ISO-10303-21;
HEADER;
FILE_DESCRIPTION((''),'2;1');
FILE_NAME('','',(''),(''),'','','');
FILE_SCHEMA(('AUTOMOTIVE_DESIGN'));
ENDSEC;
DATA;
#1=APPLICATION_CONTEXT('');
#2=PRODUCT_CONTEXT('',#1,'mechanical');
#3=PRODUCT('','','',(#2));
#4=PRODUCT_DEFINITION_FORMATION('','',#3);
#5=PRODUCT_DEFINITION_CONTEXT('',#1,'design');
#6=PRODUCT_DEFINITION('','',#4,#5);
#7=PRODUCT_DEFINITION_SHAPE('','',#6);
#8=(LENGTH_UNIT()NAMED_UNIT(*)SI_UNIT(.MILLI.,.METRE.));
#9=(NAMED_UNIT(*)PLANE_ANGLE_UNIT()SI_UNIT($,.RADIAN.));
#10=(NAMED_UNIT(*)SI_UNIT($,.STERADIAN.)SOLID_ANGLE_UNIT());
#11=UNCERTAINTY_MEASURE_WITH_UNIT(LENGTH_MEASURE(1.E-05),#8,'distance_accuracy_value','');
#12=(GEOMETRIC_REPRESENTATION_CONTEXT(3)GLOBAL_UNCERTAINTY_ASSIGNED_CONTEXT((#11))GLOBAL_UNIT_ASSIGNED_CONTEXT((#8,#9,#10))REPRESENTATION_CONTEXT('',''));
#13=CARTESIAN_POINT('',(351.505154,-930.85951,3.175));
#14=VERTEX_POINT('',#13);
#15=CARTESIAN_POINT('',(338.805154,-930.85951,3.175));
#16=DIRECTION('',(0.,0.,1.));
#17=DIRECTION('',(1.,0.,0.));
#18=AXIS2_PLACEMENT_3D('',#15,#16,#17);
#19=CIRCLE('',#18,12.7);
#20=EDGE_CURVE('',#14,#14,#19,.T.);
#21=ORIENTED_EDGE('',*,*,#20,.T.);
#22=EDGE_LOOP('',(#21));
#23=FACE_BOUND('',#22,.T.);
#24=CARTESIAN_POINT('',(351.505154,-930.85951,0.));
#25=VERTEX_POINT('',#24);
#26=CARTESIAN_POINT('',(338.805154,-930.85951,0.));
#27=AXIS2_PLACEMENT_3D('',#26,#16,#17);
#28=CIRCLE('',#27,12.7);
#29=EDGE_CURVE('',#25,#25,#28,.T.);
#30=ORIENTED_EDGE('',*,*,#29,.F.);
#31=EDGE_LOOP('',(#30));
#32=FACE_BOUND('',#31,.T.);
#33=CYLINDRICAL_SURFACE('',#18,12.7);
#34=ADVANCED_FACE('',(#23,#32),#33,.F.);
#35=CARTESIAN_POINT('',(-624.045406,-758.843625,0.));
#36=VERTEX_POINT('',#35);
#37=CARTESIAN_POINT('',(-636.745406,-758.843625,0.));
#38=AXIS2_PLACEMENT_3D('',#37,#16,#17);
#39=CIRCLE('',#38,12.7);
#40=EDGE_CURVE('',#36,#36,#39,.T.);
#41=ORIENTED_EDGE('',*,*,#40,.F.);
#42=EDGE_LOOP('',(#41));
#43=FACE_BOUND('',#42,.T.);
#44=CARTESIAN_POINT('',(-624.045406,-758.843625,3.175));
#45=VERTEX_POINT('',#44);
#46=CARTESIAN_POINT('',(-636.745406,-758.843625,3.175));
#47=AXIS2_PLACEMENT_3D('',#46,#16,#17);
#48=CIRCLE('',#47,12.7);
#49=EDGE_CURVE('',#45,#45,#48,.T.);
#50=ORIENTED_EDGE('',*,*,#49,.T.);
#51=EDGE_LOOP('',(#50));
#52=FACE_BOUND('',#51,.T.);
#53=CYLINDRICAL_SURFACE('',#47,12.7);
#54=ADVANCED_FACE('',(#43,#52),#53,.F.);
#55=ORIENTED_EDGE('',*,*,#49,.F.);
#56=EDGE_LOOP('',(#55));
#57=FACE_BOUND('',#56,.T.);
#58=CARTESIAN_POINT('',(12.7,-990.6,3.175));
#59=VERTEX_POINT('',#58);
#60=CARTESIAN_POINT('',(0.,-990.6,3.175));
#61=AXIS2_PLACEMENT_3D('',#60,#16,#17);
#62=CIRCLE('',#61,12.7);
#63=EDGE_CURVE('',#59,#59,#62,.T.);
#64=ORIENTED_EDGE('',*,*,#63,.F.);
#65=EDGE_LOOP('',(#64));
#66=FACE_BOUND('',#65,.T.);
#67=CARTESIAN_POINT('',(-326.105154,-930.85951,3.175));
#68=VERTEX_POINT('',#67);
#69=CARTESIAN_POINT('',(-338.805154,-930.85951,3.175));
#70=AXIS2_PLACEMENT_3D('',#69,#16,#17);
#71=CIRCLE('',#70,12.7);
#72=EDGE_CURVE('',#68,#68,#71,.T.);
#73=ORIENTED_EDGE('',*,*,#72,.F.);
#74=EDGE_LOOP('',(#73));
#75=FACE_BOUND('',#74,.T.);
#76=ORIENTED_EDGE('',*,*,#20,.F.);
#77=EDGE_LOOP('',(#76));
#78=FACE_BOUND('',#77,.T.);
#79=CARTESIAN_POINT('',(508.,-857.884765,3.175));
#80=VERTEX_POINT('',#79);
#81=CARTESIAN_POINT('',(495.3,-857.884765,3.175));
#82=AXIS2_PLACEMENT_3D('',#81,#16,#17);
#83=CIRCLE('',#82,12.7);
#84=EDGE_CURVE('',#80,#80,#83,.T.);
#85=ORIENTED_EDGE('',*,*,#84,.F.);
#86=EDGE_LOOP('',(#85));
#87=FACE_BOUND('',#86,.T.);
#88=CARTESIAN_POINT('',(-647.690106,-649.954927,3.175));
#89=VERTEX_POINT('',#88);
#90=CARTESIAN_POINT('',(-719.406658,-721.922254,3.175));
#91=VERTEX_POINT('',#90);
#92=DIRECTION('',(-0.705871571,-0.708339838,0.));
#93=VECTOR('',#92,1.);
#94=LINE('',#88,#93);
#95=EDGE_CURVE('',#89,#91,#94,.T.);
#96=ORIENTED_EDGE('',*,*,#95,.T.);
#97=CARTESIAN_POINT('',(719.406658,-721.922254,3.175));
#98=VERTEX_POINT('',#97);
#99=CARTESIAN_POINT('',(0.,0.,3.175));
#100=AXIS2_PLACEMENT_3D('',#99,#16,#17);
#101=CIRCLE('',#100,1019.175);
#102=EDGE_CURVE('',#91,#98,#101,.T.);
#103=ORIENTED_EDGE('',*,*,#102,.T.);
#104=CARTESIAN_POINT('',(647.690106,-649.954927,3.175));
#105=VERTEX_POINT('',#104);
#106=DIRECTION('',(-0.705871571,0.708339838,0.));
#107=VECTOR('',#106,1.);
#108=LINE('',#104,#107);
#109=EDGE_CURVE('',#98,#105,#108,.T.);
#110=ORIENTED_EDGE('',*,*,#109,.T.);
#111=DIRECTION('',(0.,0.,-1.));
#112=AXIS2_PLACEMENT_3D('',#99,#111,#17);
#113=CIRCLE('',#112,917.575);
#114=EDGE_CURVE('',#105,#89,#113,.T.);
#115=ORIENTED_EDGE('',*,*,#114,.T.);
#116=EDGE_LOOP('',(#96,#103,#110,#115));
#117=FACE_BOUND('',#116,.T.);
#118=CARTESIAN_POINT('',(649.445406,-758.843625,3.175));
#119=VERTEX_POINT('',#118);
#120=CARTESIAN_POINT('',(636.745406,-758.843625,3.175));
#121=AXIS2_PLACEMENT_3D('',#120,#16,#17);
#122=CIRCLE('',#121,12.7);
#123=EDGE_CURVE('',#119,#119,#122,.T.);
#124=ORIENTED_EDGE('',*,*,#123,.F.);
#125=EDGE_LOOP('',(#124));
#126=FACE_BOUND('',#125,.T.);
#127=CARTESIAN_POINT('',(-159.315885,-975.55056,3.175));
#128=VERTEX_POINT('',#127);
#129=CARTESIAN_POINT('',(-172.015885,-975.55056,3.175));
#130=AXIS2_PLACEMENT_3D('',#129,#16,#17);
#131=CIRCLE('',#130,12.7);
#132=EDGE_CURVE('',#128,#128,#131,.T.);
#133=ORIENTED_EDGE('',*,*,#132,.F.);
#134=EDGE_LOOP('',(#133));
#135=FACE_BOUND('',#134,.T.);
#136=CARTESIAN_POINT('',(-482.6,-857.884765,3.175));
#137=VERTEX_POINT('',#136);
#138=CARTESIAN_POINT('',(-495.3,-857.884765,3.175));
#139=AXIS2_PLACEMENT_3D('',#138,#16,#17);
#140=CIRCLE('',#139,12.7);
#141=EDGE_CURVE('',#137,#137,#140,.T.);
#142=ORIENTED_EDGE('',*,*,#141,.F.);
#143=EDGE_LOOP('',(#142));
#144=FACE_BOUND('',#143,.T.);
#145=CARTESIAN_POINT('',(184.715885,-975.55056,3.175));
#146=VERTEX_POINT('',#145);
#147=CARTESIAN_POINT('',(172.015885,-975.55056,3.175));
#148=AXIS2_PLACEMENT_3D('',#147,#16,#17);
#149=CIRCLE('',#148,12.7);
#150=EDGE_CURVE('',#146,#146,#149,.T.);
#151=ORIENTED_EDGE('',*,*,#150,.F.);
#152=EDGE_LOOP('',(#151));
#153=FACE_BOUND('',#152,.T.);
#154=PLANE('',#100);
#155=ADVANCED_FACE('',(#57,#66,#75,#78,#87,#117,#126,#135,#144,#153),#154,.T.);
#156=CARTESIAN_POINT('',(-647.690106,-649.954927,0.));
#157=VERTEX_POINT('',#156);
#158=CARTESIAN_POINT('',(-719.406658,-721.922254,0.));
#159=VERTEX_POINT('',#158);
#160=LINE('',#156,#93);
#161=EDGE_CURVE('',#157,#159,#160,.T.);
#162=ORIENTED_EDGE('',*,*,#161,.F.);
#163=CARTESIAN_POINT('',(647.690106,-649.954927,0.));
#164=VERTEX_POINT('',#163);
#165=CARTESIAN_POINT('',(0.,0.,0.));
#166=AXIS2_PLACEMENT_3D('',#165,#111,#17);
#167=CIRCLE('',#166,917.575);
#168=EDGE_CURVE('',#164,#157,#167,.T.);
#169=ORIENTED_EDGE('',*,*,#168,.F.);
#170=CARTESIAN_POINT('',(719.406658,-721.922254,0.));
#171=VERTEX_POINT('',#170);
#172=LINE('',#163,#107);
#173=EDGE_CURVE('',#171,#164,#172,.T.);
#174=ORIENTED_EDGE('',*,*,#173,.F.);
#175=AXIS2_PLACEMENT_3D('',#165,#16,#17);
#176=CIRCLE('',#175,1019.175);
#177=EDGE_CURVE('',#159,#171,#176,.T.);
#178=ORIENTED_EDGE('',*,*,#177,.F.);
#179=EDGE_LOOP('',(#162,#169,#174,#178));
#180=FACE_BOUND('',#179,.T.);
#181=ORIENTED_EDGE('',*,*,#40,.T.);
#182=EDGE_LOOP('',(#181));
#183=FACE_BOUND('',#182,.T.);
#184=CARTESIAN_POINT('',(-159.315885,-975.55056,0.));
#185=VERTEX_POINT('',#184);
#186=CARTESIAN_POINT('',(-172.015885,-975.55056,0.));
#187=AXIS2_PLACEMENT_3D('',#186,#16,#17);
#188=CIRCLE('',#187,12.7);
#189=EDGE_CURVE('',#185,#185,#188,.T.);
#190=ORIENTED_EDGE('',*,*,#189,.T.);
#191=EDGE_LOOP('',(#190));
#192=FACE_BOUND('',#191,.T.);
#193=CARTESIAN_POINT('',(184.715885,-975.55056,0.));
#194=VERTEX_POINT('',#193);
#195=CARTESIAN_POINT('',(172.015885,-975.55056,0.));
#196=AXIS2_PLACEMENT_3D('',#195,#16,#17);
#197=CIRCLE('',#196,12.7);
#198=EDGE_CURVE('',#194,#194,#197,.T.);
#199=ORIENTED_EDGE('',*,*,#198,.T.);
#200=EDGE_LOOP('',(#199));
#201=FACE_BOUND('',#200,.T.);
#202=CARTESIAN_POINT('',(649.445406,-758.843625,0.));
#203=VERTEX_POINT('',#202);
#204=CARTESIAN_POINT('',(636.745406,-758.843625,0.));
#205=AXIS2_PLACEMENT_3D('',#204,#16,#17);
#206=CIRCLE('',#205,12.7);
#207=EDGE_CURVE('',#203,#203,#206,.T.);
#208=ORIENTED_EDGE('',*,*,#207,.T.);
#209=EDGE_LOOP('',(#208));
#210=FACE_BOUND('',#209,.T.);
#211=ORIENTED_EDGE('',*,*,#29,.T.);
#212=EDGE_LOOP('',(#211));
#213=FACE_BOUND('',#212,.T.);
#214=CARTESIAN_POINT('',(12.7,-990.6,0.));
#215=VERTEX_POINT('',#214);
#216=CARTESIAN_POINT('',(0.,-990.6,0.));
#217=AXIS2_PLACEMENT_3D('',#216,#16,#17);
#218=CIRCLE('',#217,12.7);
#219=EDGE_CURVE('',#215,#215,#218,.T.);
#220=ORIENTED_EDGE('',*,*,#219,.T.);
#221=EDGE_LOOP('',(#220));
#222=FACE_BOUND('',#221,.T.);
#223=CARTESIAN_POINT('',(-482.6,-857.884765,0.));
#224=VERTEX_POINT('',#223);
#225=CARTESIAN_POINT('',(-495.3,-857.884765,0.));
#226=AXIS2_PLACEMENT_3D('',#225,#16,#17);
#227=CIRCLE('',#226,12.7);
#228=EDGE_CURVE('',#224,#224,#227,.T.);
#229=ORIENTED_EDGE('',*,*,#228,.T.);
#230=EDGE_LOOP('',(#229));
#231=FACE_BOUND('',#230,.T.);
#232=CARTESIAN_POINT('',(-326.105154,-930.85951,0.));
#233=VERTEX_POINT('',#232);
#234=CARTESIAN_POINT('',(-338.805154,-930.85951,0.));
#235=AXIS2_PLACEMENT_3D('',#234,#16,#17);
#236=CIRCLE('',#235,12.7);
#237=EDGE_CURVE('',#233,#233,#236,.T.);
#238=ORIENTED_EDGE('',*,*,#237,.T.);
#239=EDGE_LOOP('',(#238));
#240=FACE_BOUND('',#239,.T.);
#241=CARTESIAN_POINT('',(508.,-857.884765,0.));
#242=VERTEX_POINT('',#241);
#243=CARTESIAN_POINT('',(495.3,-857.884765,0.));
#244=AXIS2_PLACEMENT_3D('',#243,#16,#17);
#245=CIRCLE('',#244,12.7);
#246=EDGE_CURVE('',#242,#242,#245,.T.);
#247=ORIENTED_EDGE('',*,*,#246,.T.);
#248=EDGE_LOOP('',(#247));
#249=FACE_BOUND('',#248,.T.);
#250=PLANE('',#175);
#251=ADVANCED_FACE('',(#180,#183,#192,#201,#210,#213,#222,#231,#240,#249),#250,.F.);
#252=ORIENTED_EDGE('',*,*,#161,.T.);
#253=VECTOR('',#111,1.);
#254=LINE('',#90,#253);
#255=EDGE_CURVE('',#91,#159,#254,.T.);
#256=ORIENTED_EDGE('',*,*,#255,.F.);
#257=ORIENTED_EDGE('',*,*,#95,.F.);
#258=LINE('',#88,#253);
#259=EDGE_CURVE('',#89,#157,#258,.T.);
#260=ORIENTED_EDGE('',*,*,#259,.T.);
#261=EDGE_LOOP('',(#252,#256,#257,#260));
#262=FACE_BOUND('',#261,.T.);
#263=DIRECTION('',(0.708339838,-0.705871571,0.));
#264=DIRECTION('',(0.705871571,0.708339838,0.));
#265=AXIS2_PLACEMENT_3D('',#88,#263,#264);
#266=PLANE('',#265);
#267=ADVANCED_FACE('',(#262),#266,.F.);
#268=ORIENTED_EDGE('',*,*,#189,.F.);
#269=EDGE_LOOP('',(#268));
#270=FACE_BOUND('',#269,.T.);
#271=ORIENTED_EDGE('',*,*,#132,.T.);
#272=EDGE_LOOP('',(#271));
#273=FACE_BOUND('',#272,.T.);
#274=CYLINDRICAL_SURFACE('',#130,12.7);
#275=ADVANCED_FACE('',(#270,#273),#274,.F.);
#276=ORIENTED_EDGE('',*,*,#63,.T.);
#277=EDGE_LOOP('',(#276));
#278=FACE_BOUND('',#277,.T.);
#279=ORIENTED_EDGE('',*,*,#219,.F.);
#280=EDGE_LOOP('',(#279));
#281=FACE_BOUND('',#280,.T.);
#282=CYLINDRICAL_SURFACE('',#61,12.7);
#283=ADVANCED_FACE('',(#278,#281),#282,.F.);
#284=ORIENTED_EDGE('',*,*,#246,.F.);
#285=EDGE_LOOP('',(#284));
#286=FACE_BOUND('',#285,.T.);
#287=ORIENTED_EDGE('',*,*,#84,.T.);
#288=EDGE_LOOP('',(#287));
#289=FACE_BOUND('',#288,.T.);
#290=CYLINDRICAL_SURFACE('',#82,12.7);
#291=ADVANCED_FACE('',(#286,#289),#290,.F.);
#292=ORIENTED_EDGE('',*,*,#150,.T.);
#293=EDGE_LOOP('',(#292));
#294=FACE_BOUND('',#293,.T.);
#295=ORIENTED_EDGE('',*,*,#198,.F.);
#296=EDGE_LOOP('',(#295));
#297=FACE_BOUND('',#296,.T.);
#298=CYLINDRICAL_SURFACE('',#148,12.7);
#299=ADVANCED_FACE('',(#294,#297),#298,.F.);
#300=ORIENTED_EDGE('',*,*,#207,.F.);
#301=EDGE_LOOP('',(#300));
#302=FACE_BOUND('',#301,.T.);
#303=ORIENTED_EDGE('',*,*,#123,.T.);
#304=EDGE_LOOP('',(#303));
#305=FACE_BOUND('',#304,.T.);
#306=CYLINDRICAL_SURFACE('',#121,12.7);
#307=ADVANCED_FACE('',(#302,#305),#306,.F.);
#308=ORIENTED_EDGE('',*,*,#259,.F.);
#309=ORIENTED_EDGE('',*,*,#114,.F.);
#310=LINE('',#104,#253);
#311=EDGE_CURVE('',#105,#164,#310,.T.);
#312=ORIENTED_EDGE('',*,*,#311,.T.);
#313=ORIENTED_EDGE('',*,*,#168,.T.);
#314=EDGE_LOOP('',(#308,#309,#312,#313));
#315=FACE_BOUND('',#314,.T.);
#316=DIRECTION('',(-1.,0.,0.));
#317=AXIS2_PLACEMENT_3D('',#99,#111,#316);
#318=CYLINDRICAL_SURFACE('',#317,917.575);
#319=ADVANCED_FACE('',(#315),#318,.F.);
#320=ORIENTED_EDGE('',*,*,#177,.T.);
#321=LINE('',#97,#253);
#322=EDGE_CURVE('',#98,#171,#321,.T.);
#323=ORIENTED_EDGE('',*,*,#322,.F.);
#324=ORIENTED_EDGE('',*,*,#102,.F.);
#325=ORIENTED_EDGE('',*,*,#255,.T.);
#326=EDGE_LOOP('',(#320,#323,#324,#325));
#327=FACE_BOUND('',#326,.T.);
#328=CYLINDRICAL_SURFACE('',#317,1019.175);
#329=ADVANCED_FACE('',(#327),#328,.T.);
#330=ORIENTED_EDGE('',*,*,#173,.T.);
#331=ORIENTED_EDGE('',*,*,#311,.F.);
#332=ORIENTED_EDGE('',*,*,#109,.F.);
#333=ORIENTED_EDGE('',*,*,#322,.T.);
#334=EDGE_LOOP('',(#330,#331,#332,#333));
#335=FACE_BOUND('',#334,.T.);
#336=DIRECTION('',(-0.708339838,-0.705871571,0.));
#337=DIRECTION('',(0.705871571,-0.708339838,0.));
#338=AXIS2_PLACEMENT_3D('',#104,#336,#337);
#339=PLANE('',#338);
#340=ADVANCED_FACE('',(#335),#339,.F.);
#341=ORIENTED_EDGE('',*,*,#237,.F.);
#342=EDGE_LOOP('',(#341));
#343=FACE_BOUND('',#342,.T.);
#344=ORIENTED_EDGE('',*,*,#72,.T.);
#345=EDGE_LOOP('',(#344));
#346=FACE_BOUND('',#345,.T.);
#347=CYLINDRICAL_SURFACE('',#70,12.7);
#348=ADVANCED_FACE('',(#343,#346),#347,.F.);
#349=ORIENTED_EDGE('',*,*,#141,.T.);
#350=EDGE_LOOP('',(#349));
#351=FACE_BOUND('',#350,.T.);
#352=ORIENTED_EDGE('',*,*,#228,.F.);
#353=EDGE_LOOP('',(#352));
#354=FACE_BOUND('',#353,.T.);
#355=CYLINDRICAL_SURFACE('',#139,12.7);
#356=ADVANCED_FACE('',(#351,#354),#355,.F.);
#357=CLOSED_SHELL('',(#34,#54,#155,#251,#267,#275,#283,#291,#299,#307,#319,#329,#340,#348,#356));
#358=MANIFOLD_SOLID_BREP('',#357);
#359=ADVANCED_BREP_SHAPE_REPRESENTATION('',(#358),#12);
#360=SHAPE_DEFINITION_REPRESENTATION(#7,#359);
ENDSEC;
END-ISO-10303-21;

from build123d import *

# Parameters (mm, degrees)
BOSS_EXTRUDE1_DEPTH    = 3.175
F_1_1_DIAMETER_HOLE1_D = 25.4


with BuildPart() as part:
    # Sketch → Boss-Extrude1 (new body)
    with BuildSketch(Plane.XY):
        with BuildLine():
            Line((-647.690106465, -649.9549266), (-719.406658046, -721.922254113))
            ThreePointArc((-719.406658046, -721.922254113), (0, -1019.175), (719.406658046, -721.922254113))
            Line((719.406658046, -721.922254113), (647.690106465, -649.9549266))
            ThreePointArc((647.690106465, -649.9549266), (0, -917.575), (-647.690106465, -649.9549266))
        make_face()
    extrude(amount=BOSS_EXTRUDE1_DEPTH)

    # 1 (1) Diameter Hole1 (through all)
    with Locations(Plane(origin=(-384.964871278, 41.304236103, 3.175), x_dir=(1, 0, 0), z_dir=(0, 0, 1))):
        with Locations((1021.710277433, -800.147861457), (880.264871278, -899.189001092), (723.770025256, -972.163746254), (556.980756074, -1016.854796237), (384.964871278, -1031.904236103), (212.948986481, -1016.854796237), (46.159717299, -972.163746254), (-110.335128722, -899.189001092), (-251.780534878, -800.147861457)):
            Hole(F_1_1_DIAMETER_HOLE1_D / 2)


solid = part.part
